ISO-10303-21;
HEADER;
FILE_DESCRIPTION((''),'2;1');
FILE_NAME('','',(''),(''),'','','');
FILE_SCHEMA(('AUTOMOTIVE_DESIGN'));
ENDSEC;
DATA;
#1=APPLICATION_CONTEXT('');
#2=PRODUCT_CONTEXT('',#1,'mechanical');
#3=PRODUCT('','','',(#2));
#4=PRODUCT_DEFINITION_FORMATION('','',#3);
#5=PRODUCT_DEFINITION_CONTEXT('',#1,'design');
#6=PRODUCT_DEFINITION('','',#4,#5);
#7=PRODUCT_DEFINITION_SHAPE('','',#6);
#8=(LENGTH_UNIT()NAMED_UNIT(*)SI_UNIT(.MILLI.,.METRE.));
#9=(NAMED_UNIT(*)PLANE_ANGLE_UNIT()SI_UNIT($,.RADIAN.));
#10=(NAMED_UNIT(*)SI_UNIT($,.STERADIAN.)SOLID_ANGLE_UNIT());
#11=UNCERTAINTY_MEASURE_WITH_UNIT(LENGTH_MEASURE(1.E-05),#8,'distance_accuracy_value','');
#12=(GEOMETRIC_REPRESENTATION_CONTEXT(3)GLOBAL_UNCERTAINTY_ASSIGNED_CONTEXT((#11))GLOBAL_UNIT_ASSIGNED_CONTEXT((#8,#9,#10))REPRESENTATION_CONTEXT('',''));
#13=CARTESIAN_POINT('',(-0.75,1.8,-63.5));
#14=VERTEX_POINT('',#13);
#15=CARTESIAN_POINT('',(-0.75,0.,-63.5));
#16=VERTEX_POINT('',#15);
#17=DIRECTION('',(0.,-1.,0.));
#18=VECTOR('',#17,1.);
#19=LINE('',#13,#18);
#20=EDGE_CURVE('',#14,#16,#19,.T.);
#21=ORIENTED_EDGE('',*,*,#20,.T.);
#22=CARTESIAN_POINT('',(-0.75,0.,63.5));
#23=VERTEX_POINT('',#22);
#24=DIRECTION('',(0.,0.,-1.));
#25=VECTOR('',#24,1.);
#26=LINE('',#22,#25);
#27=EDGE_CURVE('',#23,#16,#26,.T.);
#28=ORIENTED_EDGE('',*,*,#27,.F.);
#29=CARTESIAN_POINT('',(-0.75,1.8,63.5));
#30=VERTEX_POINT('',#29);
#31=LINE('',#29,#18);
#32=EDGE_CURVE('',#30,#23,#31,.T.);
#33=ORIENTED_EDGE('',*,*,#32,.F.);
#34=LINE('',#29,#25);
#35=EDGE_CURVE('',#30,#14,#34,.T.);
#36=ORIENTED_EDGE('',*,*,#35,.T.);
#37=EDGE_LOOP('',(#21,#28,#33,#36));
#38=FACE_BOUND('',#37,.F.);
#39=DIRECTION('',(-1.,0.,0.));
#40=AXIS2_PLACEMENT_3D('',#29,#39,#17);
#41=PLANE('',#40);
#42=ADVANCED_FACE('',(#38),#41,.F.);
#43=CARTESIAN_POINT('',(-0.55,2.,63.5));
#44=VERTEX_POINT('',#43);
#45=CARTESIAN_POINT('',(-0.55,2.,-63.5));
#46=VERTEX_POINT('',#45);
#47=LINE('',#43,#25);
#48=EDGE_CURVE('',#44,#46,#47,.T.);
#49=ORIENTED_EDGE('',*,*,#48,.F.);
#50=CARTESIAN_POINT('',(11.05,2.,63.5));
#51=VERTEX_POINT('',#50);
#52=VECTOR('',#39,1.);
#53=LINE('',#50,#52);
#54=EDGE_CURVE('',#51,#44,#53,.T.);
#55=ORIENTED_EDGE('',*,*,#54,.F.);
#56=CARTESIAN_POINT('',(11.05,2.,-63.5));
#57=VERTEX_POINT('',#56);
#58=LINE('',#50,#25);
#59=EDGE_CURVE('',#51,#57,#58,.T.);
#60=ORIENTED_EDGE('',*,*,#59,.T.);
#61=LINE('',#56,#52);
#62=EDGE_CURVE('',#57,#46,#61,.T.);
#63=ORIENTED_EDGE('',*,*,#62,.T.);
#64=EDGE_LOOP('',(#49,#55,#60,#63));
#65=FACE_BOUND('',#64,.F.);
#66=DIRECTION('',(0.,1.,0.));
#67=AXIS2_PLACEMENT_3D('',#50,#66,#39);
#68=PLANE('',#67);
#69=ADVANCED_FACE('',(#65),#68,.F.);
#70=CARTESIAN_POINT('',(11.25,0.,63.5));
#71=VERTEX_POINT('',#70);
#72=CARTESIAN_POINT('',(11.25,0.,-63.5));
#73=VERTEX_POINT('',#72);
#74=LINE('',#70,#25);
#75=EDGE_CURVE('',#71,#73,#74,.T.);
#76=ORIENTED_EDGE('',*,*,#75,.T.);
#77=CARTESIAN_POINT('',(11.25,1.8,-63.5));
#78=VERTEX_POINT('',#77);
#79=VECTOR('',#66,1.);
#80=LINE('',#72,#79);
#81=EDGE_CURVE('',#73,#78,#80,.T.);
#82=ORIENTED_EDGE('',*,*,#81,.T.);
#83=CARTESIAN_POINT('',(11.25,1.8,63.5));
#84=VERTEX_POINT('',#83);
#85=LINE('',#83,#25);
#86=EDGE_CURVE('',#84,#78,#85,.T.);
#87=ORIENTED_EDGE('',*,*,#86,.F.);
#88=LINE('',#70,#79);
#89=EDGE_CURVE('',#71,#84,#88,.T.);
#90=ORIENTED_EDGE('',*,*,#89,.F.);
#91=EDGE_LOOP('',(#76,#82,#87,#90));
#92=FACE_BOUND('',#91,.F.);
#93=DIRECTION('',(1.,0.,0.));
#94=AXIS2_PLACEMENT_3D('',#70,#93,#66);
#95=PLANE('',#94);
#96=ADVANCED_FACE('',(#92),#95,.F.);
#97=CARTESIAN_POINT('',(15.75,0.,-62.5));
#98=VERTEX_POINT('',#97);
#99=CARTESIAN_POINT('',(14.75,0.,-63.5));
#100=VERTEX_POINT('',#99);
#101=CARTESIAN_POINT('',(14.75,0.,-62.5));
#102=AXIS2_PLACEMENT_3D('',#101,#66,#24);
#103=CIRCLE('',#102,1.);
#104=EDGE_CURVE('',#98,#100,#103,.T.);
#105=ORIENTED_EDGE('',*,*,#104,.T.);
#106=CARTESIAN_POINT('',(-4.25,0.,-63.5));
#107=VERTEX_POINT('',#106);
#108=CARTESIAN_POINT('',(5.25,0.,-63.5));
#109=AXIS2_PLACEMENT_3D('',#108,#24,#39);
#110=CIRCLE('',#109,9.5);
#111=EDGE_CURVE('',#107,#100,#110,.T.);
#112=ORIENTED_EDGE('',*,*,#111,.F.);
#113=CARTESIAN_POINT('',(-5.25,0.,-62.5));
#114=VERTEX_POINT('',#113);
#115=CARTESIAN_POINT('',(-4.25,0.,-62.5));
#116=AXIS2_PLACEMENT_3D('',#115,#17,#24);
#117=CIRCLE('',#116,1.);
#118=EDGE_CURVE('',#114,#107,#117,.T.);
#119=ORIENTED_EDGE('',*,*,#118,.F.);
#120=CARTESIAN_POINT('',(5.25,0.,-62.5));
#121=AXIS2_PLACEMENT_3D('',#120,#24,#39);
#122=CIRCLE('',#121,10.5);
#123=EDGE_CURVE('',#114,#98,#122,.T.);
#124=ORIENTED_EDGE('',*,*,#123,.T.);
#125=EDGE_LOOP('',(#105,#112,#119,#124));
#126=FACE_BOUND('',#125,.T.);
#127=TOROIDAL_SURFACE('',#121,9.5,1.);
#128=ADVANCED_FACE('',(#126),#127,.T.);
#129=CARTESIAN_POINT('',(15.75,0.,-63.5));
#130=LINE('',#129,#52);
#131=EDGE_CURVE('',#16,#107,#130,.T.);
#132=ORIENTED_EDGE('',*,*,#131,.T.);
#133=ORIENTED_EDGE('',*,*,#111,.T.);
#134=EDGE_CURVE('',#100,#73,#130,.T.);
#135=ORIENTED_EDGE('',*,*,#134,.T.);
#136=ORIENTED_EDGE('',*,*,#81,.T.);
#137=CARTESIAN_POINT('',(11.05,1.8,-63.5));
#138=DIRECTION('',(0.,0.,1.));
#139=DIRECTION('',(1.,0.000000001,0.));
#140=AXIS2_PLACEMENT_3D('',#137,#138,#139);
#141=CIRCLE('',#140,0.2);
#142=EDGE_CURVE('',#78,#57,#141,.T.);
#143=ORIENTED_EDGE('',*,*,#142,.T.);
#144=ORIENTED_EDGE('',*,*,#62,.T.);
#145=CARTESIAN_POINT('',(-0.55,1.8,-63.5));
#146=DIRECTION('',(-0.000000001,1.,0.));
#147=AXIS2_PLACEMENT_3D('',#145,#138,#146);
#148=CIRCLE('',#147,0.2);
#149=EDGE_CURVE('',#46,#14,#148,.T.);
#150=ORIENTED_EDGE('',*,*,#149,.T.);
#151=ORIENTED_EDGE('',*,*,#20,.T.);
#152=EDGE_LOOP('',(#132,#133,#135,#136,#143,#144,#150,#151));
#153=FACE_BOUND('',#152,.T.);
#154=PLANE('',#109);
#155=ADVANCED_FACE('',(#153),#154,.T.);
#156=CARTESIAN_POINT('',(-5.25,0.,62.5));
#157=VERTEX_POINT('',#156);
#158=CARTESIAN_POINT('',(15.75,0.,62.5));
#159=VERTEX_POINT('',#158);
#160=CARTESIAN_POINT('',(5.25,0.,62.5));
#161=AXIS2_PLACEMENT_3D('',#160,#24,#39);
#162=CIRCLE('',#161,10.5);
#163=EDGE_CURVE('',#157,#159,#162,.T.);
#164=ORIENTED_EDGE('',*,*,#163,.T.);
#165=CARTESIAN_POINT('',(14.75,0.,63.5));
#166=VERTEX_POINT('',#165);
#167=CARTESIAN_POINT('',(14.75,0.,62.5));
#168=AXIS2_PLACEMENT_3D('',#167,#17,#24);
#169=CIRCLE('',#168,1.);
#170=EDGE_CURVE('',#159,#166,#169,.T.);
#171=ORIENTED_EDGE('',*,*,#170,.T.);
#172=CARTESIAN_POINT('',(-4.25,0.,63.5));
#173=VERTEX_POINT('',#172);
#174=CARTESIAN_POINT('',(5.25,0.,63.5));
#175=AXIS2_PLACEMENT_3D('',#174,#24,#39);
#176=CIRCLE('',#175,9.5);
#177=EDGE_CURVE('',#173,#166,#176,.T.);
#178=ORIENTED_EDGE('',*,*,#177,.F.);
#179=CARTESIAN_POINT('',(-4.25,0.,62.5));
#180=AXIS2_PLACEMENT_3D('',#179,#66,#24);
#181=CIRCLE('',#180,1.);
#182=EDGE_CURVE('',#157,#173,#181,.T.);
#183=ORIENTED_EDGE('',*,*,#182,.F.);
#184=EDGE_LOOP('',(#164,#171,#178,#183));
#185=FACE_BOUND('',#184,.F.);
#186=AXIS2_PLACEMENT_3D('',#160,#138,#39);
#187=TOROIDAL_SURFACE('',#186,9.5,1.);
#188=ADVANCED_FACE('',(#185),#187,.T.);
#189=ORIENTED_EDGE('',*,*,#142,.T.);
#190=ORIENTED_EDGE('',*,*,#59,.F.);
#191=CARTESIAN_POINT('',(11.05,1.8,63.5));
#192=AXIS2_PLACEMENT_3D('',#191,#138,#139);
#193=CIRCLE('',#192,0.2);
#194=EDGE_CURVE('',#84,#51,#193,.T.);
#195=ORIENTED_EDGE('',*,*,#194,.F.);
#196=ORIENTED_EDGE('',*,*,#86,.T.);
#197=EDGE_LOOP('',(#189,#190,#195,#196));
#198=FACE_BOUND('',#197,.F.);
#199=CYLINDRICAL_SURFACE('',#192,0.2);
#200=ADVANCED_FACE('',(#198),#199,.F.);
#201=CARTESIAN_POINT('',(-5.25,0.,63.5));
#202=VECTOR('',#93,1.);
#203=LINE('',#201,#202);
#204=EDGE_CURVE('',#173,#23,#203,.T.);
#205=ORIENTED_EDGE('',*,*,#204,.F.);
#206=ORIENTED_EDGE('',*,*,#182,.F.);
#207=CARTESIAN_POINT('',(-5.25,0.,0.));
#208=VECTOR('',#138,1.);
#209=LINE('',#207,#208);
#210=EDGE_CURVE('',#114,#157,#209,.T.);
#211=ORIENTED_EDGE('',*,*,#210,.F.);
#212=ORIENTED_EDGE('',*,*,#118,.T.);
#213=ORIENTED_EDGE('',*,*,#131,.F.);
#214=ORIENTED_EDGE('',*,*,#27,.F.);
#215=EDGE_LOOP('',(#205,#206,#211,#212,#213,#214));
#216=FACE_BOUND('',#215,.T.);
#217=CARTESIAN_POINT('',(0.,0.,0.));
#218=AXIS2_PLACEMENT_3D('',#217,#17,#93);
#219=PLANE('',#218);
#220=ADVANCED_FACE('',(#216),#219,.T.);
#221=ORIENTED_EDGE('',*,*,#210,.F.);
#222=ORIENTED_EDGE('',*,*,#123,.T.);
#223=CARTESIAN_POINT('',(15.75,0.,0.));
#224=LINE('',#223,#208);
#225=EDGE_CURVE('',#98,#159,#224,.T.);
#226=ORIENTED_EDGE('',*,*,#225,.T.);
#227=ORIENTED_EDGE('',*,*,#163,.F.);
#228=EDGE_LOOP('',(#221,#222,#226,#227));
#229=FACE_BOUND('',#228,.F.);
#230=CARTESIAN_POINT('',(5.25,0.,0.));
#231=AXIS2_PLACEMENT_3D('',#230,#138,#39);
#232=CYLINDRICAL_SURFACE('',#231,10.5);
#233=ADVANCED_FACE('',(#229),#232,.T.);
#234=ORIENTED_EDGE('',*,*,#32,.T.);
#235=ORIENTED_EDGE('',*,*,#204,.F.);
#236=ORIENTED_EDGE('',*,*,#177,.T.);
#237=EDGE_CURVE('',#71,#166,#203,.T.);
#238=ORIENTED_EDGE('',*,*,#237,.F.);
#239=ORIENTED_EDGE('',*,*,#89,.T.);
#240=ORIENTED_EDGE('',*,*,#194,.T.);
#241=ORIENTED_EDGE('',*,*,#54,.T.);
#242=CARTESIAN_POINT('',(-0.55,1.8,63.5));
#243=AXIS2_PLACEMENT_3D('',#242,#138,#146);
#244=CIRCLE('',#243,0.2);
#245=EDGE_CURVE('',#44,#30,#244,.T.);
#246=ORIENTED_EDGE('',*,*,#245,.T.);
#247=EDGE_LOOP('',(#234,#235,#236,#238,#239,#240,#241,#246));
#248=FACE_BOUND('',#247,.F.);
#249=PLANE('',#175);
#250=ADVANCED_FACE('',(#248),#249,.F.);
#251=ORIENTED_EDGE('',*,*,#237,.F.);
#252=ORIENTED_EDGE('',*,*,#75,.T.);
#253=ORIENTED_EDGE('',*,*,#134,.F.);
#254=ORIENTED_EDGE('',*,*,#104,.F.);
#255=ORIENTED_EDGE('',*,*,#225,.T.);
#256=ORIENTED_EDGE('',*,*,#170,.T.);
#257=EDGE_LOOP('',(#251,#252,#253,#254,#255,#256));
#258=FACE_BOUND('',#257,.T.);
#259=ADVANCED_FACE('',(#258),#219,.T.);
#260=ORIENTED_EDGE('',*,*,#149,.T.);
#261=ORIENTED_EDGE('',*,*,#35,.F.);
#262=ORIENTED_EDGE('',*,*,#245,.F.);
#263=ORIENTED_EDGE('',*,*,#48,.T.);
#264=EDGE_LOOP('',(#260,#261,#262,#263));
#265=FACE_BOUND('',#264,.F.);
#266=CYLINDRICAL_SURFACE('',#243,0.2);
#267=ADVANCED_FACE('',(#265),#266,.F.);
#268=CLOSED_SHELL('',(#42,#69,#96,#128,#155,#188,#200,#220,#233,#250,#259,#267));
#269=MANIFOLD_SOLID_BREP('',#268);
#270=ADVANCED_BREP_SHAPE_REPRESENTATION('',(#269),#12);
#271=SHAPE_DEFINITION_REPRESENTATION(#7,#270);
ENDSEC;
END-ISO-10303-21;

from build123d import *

# Parameters (mm, degrees)
F0_W     = 10.5
F0_H     = 127
F1_ANGLE = 180
F3_DEPTH = 127
F4_R     = 1
F5_R     = 1


with BuildPart() as f1:
    # F0 (on Front) → F1 (revolve)
    with BuildSketch(Plane.XZ):
        Rectangle(F0_W, F0_H)
    revolve(axis=Axis((5.25, 0, 0), (0, 0, -1)), revolution_arc=F1_ANGLE)

    # F2 (on face) → F3 (cut)
    with BuildSketch(Plane.XY.offset(63.5)):
        with BuildLine():
            Line((-0.75, 0), (5.25, 0))
            Line((5.25, 0), (11.25, 0))
            Line((11.25, 0), (11.25, 1.8))
            ThreePointArc((11.25, 1.8), (11.1914213562, 1.9414213562), (11.05, 2))
            Line((11.05, 2), (-0.55, 2))
            ThreePointArc((-0.55, 2), (-0.6914213562, 1.9414213562), (-0.75, 1.8))
            Line((-0.75, 1.8), (-0.75, 0))
        make_face()
    extrude(amount=-F3_DEPTH, mode=Mode.SUBTRACT)

    # F4
    f4_edges = [f1.edges().sort_by_distance(p)[0] for p in [
        (5.25, 10.5, 63.5),
    ]]
    fillet(f4_edges, radius=F4_R)

    # F5
    f5_edges = [f1.edges().sort_by_distance(p)[0] for p in [
        (5.25, 10.5, -63.5),
    ]]
    fillet(f5_edges, radius=F5_R)


solid = f1.part
